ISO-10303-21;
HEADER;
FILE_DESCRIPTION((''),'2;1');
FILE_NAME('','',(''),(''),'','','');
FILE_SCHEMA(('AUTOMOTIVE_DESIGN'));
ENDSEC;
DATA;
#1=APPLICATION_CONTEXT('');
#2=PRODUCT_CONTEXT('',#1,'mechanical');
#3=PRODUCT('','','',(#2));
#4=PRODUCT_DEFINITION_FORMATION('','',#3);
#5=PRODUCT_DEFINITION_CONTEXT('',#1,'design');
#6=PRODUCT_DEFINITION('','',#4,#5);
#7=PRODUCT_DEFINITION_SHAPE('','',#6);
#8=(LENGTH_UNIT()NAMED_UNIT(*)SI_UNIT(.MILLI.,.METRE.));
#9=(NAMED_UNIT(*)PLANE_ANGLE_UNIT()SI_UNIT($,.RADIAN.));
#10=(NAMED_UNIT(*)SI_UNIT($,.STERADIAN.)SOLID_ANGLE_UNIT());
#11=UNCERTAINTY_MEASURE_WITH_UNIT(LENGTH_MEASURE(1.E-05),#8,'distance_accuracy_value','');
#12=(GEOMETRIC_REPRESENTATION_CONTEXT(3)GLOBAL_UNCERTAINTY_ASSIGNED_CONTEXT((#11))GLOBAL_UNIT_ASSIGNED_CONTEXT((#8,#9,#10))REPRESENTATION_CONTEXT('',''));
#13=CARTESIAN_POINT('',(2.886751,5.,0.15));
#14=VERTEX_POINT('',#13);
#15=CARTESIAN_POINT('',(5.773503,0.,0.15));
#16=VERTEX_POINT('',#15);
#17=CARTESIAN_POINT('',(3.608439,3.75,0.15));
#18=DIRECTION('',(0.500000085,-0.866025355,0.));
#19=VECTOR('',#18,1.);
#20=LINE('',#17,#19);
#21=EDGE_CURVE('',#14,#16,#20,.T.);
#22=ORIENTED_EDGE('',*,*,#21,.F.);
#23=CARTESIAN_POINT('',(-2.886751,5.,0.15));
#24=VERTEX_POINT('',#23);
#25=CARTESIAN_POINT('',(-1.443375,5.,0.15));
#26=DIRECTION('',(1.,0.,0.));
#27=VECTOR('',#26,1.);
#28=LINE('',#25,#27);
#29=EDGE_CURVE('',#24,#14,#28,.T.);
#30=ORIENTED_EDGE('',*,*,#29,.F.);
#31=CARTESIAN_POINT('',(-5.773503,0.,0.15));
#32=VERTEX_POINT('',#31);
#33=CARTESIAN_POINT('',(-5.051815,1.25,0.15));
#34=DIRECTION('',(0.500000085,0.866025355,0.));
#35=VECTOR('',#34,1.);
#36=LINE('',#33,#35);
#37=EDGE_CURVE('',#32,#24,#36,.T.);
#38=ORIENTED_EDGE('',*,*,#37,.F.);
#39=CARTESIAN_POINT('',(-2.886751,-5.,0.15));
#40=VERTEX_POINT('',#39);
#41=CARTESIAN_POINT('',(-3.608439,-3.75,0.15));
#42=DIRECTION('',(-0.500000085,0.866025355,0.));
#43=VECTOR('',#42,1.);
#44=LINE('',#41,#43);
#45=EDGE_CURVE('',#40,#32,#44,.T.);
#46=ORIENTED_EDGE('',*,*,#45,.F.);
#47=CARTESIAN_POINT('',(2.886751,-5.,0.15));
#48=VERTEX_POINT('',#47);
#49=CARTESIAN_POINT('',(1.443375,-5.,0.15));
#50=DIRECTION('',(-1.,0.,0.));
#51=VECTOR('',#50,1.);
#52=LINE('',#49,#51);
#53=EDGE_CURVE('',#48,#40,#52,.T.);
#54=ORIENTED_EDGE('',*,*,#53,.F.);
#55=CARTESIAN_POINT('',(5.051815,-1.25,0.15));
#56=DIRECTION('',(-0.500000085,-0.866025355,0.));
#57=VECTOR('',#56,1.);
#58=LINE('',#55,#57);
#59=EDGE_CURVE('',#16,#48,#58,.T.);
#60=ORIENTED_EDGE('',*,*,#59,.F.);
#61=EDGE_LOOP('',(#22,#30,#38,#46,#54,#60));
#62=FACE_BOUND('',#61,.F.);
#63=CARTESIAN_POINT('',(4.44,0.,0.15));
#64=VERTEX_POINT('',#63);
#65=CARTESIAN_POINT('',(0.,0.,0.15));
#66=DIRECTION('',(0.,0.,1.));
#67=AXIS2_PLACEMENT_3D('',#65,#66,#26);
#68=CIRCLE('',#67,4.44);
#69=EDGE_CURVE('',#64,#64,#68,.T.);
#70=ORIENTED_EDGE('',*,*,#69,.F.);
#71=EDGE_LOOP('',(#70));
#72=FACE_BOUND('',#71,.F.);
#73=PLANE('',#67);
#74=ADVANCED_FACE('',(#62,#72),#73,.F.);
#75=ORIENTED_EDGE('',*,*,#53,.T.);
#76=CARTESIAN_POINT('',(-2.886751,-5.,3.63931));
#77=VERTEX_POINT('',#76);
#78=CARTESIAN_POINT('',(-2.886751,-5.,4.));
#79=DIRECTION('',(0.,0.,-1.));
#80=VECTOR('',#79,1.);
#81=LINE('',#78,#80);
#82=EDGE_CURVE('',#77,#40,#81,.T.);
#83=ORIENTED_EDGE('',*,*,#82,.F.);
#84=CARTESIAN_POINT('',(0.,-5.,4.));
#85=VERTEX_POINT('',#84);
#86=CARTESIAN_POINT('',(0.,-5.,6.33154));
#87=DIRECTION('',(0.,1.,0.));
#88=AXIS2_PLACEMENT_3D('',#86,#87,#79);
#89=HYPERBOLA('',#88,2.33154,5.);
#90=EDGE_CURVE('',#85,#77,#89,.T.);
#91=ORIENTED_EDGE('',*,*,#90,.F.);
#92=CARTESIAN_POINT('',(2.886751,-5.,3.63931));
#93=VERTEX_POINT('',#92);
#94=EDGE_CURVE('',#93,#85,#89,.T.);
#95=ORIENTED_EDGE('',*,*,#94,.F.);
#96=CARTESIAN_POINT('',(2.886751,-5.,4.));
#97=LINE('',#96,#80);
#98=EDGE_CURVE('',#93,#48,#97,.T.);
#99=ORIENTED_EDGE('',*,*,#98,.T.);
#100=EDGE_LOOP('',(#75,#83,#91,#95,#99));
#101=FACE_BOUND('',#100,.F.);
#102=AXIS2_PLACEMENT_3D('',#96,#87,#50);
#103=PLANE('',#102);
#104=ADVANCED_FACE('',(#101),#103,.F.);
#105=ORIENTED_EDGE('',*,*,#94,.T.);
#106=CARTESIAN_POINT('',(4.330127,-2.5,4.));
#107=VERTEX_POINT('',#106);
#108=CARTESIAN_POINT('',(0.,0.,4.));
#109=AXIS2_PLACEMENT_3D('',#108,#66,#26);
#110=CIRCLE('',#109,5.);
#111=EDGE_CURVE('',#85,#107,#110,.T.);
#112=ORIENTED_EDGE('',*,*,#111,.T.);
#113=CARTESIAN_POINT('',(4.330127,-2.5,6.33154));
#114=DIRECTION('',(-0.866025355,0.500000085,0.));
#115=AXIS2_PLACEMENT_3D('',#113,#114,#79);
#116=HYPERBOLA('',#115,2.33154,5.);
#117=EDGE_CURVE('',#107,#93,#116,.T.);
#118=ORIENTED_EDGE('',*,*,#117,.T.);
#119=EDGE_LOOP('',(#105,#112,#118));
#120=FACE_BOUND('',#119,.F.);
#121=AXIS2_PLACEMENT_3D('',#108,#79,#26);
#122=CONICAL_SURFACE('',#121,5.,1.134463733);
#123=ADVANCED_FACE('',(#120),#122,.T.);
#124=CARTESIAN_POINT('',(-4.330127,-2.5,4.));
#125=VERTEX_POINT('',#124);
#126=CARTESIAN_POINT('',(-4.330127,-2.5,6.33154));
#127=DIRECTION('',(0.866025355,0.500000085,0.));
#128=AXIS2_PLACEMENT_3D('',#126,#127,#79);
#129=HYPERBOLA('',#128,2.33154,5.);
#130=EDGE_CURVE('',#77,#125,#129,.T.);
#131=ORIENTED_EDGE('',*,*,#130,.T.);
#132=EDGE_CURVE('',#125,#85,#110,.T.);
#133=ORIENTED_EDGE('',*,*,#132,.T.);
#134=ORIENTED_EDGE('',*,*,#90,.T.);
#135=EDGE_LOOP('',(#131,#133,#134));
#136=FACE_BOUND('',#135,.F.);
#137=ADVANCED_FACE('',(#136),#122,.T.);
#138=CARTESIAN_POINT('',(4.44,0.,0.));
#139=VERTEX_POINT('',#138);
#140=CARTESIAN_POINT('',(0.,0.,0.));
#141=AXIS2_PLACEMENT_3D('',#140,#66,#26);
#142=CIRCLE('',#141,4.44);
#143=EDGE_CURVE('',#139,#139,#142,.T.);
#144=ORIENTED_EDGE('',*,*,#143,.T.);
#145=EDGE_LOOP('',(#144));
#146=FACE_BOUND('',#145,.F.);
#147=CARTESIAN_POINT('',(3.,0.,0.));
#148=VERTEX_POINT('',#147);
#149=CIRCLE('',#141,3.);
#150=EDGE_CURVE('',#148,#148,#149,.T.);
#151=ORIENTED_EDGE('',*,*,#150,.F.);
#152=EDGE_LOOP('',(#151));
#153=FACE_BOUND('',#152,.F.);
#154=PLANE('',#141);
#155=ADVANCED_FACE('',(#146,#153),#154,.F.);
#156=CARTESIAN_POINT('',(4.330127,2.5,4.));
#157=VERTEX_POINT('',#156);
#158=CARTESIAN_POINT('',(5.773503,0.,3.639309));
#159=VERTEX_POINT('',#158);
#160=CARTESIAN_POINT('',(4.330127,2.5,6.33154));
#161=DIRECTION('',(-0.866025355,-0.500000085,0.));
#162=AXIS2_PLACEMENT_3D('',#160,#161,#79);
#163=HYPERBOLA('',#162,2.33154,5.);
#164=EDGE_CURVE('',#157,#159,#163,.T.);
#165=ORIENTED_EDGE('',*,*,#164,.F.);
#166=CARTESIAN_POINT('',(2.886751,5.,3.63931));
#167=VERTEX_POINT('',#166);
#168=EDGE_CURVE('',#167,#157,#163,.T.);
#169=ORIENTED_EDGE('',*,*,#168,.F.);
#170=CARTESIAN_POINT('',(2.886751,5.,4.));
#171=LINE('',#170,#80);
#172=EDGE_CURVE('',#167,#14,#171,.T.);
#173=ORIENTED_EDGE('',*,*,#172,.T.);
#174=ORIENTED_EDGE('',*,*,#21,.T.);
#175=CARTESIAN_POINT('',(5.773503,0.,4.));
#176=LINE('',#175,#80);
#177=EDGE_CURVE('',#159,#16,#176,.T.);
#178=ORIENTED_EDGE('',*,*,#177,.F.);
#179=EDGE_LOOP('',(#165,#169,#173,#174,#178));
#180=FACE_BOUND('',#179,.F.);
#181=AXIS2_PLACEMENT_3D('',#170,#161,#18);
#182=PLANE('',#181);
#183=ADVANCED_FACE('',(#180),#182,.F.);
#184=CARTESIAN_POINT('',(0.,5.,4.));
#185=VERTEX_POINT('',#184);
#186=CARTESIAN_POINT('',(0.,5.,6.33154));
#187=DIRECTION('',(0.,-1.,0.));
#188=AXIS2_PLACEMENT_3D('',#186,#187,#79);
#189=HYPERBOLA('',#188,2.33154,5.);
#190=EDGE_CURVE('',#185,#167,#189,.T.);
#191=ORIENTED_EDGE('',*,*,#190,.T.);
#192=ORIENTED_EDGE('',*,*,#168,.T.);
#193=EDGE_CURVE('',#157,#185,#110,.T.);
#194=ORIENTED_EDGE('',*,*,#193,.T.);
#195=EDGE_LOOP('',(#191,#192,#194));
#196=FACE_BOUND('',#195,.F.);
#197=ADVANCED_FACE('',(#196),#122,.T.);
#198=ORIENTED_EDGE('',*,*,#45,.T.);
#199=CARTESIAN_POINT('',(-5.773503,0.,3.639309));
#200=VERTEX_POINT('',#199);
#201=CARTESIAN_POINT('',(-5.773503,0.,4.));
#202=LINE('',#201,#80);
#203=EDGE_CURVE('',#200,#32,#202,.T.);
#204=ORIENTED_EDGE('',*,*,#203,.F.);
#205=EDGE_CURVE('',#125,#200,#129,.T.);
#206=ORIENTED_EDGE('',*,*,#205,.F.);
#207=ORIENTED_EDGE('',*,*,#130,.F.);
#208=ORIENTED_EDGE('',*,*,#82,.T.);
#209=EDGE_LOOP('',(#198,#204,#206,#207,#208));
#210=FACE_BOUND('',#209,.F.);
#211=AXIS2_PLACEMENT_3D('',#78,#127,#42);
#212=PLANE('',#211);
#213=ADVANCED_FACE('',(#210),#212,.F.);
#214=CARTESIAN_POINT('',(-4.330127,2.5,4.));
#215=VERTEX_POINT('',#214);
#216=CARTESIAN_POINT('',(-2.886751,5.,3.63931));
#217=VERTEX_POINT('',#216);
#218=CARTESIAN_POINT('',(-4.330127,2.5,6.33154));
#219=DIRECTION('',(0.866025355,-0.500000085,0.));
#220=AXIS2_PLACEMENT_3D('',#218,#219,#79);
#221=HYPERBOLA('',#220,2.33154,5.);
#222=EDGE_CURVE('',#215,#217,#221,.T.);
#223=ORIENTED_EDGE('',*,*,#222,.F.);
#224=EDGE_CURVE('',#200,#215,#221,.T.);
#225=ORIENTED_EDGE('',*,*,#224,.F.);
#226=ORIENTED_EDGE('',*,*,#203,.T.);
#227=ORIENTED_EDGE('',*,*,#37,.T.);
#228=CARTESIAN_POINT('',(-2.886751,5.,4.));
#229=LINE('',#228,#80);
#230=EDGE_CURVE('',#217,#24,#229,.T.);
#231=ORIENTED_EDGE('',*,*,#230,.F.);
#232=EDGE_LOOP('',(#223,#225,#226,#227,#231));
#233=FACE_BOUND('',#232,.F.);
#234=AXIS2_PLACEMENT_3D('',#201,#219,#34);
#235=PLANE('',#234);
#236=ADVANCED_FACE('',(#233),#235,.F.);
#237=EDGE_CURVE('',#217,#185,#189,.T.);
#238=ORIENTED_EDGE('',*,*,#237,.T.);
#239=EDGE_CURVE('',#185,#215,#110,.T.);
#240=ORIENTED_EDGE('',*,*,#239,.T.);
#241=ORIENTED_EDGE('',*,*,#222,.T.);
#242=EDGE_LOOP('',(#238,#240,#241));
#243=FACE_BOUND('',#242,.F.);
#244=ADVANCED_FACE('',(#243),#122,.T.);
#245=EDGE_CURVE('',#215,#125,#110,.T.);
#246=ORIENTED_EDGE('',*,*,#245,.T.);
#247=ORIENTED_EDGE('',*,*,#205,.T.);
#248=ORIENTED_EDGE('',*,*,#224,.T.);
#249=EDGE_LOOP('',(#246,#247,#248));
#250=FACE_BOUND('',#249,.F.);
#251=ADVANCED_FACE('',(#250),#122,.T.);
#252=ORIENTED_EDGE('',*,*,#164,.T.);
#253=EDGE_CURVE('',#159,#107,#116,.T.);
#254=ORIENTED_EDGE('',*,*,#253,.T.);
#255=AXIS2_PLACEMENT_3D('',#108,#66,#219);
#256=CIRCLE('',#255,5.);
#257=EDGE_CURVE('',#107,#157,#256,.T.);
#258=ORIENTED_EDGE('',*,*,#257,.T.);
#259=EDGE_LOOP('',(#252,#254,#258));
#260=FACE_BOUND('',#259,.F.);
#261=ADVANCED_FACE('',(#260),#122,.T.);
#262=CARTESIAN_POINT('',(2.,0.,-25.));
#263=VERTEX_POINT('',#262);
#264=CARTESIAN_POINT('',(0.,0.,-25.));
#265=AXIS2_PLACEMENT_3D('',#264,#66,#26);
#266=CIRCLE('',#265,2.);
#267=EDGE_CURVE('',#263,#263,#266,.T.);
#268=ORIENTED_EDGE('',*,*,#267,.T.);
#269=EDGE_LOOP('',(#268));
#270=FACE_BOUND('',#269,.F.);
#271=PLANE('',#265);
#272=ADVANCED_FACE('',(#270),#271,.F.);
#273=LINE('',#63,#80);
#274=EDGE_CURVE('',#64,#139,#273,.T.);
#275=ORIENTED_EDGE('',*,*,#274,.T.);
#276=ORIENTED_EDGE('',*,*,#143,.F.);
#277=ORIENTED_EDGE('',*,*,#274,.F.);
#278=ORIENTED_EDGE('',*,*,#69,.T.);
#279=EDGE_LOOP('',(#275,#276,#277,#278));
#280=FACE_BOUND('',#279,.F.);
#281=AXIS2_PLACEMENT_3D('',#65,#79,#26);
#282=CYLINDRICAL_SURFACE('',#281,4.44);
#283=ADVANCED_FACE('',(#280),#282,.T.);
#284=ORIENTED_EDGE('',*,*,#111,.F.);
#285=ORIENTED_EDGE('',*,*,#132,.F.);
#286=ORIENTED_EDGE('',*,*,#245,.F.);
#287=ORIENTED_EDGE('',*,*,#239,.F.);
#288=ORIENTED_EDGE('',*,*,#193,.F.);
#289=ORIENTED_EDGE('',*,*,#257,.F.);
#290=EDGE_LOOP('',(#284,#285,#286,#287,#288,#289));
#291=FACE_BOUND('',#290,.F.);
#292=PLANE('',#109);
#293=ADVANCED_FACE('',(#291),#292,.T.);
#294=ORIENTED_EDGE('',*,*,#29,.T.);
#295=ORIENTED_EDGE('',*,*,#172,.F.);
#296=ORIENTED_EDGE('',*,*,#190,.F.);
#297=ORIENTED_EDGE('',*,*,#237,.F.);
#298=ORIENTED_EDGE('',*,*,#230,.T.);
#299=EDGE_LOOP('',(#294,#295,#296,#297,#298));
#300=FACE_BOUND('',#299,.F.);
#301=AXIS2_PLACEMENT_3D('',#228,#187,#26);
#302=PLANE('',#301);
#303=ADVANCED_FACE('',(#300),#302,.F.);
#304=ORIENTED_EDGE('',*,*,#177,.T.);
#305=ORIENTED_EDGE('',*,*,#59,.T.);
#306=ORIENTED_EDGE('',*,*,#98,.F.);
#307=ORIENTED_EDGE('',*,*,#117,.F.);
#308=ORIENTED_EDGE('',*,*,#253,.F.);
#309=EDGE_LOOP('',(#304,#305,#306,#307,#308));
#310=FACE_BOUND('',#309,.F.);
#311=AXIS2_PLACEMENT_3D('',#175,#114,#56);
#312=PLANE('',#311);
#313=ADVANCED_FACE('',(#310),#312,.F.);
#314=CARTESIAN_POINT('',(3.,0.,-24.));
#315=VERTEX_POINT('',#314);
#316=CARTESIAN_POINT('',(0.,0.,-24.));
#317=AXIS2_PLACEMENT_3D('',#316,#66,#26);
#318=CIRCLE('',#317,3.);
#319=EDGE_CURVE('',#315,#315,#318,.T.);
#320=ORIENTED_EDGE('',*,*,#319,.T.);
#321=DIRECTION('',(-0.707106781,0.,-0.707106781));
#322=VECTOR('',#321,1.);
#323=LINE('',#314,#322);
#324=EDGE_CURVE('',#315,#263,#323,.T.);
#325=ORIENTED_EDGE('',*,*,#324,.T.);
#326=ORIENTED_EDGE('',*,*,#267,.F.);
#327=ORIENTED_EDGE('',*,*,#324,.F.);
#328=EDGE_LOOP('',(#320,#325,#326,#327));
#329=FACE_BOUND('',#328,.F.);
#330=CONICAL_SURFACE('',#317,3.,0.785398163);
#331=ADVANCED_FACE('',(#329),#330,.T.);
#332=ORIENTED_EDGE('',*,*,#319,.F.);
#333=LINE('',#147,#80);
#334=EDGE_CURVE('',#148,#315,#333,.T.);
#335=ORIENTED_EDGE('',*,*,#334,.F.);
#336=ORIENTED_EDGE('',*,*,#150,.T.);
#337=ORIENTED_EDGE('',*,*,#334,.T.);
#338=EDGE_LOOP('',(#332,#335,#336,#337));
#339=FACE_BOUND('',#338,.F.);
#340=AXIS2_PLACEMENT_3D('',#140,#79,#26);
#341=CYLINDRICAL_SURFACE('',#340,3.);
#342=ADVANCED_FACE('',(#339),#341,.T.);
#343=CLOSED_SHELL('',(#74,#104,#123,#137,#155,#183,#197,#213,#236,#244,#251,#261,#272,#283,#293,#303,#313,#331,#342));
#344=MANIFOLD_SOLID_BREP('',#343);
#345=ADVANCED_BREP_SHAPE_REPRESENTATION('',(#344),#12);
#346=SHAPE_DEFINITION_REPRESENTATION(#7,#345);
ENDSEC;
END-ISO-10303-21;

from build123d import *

# Parameters (mm, degrees)
SKETCH001_R  = 7.773503
POCKET_DEPTH = 29.001
CHAMFER_SIZE = 1


with BuildPart() as part:
    # Sketch → Revolution (revolve)
    with BuildSketch(Plane.XZ):
        Polygon((0, 4), (5, 4), (6, 3.533692), (6, 0.15), (4.44, 0.15), (4.44, 0), (3, 0), (3, -25), (0, -25), align=None)
    revolve(axis=Axis((0, 0, 0), (0, 0, 1)))

    # Sketch001 → Pocket (cut, through all)
    with BuildSketch(Plane(origin=(0, 0, 4), x_dir=(-1, 0, 0), z_dir=(0, 0, 1))):
        Circle(SKETCH001_R)
        Polygon((-2.886751, 5), (2.886751, 5), (5.773503, 0), (2.886751, -5), (-2.886751, -5), (-5.773503, 0), align=None, mode=Mode.SUBTRACT)
    extrude(amount=-POCKET_DEPTH, mode=Mode.SUBTRACT)

    # Chamfer
    chamfer_edges = [part.edges().sort_by_distance(p)[0] for p in [
        (-3, 0, -25),
    ]]
    chamfer(chamfer_edges, length=CHAMFER_SIZE)


solid = part.part
